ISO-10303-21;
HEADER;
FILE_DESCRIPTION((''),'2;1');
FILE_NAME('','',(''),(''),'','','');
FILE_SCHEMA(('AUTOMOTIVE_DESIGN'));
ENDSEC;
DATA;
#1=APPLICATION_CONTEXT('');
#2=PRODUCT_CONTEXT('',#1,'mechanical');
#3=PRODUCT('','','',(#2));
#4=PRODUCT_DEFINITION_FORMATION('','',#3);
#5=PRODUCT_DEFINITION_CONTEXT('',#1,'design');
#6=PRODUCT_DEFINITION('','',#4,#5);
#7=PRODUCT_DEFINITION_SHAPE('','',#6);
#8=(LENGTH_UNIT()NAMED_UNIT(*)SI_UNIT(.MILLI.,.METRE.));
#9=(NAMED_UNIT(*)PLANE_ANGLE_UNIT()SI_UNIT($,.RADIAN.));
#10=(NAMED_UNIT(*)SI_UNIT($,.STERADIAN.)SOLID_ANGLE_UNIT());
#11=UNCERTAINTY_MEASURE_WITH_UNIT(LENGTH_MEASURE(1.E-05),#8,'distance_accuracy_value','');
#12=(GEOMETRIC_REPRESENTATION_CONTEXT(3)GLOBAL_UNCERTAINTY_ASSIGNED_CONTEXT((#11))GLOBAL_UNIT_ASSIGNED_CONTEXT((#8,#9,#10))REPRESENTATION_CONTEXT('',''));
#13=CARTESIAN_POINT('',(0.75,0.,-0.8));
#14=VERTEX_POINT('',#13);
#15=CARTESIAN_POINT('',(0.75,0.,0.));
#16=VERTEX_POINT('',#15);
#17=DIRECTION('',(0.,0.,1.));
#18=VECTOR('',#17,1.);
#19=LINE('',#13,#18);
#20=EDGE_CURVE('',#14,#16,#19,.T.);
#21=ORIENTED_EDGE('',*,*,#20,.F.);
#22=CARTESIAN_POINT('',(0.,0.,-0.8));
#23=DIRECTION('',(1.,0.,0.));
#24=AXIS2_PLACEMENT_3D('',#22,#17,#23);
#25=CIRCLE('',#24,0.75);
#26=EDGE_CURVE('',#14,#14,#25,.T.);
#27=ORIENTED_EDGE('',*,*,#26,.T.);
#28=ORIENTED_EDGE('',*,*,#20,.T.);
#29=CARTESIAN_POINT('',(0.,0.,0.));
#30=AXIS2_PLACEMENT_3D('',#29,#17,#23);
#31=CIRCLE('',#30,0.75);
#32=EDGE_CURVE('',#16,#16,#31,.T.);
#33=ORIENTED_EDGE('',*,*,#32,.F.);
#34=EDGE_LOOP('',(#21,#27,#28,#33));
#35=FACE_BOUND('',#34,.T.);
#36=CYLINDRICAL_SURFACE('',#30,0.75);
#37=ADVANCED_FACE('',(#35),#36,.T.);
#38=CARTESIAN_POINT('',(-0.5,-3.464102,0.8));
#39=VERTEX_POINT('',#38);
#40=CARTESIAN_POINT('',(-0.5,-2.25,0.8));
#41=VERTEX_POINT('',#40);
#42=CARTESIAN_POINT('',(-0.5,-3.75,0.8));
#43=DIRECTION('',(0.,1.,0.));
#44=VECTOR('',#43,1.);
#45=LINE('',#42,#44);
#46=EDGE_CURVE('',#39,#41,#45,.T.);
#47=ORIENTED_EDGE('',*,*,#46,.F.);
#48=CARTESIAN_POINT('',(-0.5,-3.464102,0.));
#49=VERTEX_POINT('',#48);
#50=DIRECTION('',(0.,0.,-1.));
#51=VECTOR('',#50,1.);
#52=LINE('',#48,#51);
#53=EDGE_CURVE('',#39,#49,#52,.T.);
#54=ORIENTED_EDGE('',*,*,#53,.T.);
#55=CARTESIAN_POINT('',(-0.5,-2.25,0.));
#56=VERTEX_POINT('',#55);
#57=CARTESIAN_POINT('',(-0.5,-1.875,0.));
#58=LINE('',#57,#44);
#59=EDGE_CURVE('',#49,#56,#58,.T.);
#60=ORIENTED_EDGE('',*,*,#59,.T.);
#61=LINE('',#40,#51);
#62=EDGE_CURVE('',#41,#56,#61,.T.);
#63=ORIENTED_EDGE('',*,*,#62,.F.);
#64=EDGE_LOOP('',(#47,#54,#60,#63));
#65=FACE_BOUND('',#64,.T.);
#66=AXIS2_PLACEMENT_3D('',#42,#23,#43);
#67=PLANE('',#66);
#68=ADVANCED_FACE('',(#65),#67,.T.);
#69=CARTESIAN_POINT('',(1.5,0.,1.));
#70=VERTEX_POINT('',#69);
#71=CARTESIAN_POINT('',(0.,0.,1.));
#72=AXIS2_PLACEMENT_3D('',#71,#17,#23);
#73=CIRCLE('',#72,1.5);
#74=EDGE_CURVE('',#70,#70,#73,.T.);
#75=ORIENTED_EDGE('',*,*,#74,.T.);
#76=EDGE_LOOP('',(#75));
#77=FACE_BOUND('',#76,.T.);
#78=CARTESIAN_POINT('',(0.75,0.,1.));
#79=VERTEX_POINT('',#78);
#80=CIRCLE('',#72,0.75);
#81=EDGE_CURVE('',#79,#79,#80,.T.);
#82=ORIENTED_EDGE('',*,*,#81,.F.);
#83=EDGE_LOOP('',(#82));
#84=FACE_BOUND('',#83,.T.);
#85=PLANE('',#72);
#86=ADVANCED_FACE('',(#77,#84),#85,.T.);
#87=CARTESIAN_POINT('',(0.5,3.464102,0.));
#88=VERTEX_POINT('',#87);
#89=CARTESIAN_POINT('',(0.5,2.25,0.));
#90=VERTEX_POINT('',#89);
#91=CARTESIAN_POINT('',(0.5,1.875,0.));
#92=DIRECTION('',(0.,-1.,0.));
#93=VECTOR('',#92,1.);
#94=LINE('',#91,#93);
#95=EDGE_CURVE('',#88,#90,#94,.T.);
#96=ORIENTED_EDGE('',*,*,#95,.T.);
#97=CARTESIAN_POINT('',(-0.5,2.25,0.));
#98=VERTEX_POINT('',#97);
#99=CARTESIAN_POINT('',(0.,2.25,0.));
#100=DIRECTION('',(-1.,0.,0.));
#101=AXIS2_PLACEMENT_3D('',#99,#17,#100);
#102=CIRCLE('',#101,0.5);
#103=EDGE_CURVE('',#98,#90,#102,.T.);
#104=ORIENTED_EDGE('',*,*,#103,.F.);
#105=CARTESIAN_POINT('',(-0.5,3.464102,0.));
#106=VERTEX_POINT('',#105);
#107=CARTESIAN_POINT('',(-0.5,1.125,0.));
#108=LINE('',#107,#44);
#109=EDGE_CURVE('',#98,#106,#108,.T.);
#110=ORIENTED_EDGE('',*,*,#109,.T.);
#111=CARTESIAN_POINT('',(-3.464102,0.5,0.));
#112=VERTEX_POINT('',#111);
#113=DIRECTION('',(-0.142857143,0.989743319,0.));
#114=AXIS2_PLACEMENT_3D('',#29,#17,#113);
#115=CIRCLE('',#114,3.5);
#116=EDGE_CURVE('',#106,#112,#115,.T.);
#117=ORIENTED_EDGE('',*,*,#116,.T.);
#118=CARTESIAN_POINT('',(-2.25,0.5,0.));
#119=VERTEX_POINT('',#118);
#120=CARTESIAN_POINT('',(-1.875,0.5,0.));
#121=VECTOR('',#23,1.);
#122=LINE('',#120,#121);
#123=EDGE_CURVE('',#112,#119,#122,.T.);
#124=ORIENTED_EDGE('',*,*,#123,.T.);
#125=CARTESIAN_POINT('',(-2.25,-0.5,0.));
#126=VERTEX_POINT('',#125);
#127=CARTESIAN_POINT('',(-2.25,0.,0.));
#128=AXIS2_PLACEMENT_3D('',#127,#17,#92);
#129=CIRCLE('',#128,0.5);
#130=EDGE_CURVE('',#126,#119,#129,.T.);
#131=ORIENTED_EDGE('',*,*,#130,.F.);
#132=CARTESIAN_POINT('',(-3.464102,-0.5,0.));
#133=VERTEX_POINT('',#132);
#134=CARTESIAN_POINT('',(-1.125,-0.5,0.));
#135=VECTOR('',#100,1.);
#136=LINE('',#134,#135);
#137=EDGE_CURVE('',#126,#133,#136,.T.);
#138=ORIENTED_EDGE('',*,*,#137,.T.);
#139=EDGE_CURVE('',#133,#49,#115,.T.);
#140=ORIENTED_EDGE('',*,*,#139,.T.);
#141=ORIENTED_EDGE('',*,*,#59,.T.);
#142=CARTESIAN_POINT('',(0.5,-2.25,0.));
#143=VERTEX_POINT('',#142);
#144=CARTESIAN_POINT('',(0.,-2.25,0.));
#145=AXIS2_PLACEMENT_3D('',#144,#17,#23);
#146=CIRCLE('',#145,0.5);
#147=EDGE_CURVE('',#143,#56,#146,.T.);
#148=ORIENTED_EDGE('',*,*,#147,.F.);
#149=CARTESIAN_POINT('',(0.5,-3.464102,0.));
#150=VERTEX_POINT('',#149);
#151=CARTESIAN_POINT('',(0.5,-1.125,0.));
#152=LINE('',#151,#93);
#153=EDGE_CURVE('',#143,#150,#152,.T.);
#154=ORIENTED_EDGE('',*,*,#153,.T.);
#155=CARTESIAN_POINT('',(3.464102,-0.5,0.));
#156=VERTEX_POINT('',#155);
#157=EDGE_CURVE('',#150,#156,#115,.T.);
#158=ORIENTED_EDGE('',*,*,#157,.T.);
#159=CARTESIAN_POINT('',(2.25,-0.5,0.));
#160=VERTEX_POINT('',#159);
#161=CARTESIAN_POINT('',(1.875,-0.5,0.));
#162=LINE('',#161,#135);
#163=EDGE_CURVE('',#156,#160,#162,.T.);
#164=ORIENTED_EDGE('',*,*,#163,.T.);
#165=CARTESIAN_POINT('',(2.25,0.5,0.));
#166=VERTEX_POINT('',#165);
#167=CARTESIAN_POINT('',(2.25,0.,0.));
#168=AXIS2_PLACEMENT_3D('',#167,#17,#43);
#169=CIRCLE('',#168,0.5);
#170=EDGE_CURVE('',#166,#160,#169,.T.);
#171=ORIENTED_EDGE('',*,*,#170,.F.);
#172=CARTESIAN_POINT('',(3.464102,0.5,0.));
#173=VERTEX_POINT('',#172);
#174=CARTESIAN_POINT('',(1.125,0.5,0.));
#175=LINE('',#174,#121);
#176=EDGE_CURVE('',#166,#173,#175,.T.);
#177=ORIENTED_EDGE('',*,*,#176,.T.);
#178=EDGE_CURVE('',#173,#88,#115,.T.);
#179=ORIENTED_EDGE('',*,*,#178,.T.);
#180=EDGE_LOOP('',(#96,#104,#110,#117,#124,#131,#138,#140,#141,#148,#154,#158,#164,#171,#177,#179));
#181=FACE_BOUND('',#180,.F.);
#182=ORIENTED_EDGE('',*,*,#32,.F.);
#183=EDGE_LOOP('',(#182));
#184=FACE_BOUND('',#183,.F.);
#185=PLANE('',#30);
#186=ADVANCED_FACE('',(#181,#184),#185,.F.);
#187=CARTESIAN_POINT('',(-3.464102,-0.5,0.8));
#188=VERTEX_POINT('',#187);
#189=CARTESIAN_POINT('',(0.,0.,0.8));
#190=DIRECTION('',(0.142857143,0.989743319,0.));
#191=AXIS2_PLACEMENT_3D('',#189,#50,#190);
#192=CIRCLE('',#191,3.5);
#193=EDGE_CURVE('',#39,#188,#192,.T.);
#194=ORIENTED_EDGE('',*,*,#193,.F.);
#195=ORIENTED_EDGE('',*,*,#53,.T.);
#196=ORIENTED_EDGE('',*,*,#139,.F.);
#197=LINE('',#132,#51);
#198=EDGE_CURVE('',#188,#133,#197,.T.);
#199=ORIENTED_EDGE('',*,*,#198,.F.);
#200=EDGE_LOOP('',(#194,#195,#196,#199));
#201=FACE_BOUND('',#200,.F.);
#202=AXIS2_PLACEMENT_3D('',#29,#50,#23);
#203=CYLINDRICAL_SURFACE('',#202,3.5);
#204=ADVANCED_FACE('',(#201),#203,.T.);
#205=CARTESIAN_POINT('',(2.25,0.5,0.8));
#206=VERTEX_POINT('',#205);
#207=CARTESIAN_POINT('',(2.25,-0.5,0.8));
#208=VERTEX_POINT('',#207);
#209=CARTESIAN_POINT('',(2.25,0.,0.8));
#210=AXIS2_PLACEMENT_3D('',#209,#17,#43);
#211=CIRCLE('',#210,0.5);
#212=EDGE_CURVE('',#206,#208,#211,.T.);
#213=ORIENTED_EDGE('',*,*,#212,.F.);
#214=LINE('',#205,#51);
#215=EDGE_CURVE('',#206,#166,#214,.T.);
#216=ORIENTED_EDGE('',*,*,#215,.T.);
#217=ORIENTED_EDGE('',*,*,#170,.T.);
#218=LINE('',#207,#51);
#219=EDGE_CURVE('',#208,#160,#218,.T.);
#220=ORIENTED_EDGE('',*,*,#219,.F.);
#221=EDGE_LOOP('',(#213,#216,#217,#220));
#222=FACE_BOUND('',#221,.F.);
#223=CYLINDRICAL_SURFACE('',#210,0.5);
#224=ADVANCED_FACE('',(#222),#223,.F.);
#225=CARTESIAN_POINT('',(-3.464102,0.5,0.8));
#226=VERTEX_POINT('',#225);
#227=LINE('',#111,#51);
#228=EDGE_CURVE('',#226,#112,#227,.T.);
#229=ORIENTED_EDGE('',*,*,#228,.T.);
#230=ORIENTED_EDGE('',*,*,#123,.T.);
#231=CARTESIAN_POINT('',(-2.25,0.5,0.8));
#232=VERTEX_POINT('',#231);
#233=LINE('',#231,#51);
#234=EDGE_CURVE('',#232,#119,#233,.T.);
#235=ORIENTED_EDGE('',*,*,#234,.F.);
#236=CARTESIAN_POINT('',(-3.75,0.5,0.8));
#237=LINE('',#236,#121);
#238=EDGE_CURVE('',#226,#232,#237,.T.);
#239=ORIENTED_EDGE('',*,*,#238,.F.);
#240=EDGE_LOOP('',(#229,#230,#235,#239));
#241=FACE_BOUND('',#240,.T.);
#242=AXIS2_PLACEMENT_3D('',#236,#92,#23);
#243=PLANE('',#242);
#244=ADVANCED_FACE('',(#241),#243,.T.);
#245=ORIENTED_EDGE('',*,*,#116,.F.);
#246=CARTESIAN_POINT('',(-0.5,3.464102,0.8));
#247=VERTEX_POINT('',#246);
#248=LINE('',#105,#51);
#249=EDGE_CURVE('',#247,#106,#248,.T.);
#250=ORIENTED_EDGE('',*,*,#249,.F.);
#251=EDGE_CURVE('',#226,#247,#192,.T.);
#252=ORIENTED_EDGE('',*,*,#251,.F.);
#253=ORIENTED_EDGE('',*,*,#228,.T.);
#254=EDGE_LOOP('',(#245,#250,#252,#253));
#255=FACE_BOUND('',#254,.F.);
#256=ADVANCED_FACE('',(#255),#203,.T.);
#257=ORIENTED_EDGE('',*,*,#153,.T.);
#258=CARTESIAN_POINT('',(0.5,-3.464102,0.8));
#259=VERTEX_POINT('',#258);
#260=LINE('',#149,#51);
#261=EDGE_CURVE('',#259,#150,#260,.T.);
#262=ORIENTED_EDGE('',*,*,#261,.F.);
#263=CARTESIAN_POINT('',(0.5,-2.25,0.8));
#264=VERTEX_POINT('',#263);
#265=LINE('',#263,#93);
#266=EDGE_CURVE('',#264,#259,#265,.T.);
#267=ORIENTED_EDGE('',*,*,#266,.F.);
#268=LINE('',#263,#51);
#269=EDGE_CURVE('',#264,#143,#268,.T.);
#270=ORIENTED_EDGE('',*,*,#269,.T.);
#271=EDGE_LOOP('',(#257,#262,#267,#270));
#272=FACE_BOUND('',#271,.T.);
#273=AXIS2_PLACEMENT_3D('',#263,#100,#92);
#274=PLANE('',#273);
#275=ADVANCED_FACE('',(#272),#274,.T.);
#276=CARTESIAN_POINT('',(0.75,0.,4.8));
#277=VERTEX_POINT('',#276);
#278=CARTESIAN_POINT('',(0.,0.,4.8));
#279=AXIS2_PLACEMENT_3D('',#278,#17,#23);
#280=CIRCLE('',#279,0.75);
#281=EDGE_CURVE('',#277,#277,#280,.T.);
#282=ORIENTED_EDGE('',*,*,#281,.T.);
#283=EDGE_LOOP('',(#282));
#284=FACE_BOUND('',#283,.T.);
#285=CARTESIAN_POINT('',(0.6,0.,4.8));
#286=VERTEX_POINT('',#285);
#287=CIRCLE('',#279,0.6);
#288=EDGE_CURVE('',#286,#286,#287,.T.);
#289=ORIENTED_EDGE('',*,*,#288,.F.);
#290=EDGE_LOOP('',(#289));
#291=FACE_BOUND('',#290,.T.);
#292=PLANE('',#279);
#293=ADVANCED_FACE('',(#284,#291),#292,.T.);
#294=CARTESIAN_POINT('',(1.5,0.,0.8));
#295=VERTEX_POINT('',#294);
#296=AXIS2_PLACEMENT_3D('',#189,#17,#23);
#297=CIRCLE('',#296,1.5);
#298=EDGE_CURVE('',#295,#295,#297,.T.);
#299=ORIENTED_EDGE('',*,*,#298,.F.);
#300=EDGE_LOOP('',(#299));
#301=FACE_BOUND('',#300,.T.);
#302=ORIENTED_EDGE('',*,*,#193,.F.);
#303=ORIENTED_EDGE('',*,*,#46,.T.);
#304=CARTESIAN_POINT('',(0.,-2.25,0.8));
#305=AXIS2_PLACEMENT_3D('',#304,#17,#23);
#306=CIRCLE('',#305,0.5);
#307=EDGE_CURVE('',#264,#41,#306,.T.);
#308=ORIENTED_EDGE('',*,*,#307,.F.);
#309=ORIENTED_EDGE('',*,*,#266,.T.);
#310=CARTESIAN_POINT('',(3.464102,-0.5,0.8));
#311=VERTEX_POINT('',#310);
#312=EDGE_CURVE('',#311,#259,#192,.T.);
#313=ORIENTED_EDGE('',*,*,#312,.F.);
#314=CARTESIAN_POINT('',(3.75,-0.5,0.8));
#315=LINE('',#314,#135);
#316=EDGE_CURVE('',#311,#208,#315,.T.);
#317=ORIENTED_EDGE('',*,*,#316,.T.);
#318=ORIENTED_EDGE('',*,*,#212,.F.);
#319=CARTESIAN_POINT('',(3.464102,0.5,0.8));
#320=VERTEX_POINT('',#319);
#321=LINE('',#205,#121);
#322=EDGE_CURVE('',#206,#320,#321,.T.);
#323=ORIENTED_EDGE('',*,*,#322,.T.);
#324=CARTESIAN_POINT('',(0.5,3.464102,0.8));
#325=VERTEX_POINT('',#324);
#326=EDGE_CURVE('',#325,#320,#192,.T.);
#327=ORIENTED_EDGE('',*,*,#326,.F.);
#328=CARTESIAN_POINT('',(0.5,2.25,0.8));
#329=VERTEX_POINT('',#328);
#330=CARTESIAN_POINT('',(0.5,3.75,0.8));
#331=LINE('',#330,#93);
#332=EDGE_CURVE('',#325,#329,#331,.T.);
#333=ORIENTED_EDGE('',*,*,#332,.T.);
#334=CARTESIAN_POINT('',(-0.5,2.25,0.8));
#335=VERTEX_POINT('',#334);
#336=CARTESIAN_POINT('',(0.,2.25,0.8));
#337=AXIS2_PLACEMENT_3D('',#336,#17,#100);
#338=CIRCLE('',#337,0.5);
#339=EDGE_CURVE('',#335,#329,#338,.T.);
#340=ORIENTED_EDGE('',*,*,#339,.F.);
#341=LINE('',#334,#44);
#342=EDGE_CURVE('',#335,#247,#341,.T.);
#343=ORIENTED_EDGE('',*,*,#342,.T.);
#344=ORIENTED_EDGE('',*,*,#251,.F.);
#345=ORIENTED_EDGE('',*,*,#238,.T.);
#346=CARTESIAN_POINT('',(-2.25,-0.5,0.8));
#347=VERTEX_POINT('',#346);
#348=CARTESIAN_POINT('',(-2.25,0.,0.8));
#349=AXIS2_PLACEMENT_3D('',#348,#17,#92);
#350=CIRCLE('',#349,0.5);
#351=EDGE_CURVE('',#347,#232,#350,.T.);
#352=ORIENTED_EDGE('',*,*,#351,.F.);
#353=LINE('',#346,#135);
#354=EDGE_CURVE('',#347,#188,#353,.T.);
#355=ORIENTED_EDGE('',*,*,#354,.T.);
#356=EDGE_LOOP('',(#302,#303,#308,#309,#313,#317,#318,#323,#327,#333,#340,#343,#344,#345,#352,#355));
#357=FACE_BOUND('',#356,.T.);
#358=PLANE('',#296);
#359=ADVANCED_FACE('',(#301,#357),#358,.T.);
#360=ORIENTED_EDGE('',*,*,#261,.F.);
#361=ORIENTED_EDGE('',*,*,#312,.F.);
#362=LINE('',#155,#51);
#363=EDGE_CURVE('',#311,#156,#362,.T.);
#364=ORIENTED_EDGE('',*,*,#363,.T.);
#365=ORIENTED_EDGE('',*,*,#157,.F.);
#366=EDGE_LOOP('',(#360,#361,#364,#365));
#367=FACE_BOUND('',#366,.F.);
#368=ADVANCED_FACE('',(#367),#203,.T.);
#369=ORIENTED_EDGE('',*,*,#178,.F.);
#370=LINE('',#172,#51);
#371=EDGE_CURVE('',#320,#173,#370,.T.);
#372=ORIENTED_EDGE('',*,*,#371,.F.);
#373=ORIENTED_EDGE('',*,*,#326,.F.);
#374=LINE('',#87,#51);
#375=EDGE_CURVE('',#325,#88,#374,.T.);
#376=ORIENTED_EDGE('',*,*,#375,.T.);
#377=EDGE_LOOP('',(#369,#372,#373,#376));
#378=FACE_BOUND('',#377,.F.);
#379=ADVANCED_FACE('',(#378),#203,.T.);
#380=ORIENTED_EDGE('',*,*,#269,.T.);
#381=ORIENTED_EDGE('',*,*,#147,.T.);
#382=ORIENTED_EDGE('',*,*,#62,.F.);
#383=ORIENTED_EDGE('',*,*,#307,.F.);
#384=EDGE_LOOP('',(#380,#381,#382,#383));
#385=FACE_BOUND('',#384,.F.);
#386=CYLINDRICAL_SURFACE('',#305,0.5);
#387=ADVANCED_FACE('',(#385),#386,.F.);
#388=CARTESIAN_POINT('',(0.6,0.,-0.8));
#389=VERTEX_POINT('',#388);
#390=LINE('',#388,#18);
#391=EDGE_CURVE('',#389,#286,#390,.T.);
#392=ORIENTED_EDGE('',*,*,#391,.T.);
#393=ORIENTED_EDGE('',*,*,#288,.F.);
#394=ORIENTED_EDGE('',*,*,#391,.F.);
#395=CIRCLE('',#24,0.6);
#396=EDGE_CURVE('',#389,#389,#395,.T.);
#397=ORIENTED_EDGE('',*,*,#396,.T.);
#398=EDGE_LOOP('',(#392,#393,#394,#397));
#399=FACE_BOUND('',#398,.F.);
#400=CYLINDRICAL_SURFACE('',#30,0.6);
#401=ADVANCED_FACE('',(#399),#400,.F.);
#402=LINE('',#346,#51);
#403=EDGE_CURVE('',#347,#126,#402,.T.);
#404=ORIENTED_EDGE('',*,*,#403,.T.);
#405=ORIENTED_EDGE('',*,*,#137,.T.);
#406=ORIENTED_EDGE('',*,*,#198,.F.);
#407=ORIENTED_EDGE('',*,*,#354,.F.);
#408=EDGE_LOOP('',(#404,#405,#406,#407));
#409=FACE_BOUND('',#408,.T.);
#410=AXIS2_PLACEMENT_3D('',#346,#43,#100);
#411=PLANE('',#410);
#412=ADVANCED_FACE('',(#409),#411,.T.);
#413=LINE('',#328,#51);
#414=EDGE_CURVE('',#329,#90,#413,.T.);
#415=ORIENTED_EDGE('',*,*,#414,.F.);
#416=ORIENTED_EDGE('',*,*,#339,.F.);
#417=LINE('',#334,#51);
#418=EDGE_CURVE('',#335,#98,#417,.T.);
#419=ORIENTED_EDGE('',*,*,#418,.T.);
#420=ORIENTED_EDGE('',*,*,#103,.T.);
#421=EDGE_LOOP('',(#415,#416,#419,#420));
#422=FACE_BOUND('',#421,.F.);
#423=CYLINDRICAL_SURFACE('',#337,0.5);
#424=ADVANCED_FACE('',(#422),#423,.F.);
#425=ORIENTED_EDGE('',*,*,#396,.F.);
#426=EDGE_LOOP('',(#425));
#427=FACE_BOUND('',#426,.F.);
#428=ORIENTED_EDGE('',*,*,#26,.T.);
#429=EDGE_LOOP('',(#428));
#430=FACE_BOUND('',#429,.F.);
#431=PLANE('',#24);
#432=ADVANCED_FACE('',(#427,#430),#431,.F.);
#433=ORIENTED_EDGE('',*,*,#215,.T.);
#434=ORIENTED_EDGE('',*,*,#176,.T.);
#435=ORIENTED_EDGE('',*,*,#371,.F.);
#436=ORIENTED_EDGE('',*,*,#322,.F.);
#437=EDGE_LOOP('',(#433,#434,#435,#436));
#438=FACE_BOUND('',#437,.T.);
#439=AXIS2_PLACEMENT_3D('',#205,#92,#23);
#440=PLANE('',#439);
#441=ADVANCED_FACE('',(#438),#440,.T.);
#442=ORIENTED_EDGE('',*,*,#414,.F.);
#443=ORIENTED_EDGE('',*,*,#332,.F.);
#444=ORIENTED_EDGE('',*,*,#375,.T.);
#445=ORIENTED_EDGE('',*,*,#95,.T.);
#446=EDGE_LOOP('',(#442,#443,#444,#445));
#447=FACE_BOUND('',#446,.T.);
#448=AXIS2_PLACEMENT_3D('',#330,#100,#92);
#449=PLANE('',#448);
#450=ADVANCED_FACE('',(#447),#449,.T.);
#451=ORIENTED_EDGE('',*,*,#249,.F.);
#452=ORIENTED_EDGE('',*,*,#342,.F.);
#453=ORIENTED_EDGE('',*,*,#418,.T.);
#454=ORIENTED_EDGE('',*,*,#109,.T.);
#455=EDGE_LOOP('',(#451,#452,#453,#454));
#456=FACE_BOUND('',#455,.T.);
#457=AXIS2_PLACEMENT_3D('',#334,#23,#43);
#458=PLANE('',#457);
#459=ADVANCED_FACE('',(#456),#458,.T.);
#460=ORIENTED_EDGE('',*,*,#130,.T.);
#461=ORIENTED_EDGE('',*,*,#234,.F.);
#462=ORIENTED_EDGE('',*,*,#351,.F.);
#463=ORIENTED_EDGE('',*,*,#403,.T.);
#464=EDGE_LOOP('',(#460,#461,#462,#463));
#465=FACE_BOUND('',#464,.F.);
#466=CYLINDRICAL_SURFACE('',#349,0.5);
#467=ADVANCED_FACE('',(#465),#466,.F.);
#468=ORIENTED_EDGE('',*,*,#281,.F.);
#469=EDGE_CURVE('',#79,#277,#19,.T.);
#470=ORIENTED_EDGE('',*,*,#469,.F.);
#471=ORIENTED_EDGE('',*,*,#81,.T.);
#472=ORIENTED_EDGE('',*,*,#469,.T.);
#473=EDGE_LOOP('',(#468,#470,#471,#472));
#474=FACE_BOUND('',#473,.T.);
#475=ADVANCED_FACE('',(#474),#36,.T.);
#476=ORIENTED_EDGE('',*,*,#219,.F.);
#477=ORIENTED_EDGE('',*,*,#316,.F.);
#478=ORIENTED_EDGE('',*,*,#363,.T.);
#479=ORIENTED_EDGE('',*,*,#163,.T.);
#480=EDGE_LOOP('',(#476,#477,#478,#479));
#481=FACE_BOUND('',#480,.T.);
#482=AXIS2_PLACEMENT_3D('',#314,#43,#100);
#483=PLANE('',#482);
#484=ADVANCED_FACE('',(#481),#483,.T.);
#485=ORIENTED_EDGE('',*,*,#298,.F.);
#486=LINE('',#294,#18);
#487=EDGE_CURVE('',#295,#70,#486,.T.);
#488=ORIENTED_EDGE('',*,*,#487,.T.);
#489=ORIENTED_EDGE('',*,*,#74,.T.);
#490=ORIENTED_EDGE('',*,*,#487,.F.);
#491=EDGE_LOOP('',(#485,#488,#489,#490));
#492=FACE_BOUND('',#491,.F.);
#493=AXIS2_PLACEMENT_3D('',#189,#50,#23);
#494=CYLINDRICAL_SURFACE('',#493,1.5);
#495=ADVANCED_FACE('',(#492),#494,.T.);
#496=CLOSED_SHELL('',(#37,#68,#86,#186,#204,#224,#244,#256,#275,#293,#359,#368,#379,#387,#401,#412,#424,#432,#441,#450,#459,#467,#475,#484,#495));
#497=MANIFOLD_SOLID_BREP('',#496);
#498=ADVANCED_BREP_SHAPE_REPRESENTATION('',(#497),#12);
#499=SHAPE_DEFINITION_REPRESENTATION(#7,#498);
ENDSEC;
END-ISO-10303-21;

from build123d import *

# Parameters (mm, degrees)
SKETCH_R           = 0.75
SKETCH_R_2         = 0.6
PAD_DEPTH          = 4.8
PAD_DEPTH_BACK     = 0.8
SKETCH001_R        = 3.5
SKETCH001_R_2      = 0.6
PAD001_DEPTH       = 0.8
POCKET_DEPTH       = 24.348308
POLARPATTERN_COUNT = 4
SKETCH003_R        = 1.5
SKETCH003_R_2      = 0.6
PAD002_DEPTH       = 0.2


with BuildPart() as part:
    # Sketch → Pad (new body, two sides)
    with BuildSketch(Plane.XY) as pad_sk:
        Circle(SKETCH_R)
        Circle(SKETCH_R_2, mode=Mode.SUBTRACT)
    extrude(amount=PAD_DEPTH)
    extrude(pad_sk.sketch, amount=-PAD_DEPTH_BACK)

    # Sketch001 → Pad001 (join)
    with BuildSketch(Plane.XY):
        Circle(SKETCH001_R)
        Circle(SKETCH001_R_2, mode=Mode.SUBTRACT)
    extrude(amount=PAD001_DEPTH)

    # Sketch002 (on Face8 of Pad001) → Pocket (cut, through all)
    with BuildSketch(Plane.XY.offset(0.8)):
        with BuildLine():
            Line((-0.5, 3.75), (0.5, 3.75))
            Line((0.5, 3.75), (0.5, 2.25))
            ThreePointArc((-0.5, 2.25), (0, 1.75), (0.5, 2.25))
            Line((-0.5, 2.25), (-0.5, 3.75))
        make_face()
    pocket = extrude(amount=-POCKET_DEPTH, mode=Mode.SUBTRACT)

    # PolarPattern: Pocket ×4 about axis
    polarpattern_axis = Axis((0, 0, 0.8), (0, 0, 1))
    for i in range(1, POLARPATTERN_COUNT):
        add(pocket.rotate(polarpattern_axis, i * 360 / POLARPATTERN_COUNT), mode=Mode.SUBTRACT)

    # Sketch003 (on Face23 of PolarPattern) → Pad002 (join)
    with BuildSketch(Plane.XY.offset(0.8)):
        Circle(SKETCH003_R)
        Circle(SKETCH003_R_2, mode=Mode.SUBTRACT)
    extrude(amount=PAD002_DEPTH)


solid = part.part
